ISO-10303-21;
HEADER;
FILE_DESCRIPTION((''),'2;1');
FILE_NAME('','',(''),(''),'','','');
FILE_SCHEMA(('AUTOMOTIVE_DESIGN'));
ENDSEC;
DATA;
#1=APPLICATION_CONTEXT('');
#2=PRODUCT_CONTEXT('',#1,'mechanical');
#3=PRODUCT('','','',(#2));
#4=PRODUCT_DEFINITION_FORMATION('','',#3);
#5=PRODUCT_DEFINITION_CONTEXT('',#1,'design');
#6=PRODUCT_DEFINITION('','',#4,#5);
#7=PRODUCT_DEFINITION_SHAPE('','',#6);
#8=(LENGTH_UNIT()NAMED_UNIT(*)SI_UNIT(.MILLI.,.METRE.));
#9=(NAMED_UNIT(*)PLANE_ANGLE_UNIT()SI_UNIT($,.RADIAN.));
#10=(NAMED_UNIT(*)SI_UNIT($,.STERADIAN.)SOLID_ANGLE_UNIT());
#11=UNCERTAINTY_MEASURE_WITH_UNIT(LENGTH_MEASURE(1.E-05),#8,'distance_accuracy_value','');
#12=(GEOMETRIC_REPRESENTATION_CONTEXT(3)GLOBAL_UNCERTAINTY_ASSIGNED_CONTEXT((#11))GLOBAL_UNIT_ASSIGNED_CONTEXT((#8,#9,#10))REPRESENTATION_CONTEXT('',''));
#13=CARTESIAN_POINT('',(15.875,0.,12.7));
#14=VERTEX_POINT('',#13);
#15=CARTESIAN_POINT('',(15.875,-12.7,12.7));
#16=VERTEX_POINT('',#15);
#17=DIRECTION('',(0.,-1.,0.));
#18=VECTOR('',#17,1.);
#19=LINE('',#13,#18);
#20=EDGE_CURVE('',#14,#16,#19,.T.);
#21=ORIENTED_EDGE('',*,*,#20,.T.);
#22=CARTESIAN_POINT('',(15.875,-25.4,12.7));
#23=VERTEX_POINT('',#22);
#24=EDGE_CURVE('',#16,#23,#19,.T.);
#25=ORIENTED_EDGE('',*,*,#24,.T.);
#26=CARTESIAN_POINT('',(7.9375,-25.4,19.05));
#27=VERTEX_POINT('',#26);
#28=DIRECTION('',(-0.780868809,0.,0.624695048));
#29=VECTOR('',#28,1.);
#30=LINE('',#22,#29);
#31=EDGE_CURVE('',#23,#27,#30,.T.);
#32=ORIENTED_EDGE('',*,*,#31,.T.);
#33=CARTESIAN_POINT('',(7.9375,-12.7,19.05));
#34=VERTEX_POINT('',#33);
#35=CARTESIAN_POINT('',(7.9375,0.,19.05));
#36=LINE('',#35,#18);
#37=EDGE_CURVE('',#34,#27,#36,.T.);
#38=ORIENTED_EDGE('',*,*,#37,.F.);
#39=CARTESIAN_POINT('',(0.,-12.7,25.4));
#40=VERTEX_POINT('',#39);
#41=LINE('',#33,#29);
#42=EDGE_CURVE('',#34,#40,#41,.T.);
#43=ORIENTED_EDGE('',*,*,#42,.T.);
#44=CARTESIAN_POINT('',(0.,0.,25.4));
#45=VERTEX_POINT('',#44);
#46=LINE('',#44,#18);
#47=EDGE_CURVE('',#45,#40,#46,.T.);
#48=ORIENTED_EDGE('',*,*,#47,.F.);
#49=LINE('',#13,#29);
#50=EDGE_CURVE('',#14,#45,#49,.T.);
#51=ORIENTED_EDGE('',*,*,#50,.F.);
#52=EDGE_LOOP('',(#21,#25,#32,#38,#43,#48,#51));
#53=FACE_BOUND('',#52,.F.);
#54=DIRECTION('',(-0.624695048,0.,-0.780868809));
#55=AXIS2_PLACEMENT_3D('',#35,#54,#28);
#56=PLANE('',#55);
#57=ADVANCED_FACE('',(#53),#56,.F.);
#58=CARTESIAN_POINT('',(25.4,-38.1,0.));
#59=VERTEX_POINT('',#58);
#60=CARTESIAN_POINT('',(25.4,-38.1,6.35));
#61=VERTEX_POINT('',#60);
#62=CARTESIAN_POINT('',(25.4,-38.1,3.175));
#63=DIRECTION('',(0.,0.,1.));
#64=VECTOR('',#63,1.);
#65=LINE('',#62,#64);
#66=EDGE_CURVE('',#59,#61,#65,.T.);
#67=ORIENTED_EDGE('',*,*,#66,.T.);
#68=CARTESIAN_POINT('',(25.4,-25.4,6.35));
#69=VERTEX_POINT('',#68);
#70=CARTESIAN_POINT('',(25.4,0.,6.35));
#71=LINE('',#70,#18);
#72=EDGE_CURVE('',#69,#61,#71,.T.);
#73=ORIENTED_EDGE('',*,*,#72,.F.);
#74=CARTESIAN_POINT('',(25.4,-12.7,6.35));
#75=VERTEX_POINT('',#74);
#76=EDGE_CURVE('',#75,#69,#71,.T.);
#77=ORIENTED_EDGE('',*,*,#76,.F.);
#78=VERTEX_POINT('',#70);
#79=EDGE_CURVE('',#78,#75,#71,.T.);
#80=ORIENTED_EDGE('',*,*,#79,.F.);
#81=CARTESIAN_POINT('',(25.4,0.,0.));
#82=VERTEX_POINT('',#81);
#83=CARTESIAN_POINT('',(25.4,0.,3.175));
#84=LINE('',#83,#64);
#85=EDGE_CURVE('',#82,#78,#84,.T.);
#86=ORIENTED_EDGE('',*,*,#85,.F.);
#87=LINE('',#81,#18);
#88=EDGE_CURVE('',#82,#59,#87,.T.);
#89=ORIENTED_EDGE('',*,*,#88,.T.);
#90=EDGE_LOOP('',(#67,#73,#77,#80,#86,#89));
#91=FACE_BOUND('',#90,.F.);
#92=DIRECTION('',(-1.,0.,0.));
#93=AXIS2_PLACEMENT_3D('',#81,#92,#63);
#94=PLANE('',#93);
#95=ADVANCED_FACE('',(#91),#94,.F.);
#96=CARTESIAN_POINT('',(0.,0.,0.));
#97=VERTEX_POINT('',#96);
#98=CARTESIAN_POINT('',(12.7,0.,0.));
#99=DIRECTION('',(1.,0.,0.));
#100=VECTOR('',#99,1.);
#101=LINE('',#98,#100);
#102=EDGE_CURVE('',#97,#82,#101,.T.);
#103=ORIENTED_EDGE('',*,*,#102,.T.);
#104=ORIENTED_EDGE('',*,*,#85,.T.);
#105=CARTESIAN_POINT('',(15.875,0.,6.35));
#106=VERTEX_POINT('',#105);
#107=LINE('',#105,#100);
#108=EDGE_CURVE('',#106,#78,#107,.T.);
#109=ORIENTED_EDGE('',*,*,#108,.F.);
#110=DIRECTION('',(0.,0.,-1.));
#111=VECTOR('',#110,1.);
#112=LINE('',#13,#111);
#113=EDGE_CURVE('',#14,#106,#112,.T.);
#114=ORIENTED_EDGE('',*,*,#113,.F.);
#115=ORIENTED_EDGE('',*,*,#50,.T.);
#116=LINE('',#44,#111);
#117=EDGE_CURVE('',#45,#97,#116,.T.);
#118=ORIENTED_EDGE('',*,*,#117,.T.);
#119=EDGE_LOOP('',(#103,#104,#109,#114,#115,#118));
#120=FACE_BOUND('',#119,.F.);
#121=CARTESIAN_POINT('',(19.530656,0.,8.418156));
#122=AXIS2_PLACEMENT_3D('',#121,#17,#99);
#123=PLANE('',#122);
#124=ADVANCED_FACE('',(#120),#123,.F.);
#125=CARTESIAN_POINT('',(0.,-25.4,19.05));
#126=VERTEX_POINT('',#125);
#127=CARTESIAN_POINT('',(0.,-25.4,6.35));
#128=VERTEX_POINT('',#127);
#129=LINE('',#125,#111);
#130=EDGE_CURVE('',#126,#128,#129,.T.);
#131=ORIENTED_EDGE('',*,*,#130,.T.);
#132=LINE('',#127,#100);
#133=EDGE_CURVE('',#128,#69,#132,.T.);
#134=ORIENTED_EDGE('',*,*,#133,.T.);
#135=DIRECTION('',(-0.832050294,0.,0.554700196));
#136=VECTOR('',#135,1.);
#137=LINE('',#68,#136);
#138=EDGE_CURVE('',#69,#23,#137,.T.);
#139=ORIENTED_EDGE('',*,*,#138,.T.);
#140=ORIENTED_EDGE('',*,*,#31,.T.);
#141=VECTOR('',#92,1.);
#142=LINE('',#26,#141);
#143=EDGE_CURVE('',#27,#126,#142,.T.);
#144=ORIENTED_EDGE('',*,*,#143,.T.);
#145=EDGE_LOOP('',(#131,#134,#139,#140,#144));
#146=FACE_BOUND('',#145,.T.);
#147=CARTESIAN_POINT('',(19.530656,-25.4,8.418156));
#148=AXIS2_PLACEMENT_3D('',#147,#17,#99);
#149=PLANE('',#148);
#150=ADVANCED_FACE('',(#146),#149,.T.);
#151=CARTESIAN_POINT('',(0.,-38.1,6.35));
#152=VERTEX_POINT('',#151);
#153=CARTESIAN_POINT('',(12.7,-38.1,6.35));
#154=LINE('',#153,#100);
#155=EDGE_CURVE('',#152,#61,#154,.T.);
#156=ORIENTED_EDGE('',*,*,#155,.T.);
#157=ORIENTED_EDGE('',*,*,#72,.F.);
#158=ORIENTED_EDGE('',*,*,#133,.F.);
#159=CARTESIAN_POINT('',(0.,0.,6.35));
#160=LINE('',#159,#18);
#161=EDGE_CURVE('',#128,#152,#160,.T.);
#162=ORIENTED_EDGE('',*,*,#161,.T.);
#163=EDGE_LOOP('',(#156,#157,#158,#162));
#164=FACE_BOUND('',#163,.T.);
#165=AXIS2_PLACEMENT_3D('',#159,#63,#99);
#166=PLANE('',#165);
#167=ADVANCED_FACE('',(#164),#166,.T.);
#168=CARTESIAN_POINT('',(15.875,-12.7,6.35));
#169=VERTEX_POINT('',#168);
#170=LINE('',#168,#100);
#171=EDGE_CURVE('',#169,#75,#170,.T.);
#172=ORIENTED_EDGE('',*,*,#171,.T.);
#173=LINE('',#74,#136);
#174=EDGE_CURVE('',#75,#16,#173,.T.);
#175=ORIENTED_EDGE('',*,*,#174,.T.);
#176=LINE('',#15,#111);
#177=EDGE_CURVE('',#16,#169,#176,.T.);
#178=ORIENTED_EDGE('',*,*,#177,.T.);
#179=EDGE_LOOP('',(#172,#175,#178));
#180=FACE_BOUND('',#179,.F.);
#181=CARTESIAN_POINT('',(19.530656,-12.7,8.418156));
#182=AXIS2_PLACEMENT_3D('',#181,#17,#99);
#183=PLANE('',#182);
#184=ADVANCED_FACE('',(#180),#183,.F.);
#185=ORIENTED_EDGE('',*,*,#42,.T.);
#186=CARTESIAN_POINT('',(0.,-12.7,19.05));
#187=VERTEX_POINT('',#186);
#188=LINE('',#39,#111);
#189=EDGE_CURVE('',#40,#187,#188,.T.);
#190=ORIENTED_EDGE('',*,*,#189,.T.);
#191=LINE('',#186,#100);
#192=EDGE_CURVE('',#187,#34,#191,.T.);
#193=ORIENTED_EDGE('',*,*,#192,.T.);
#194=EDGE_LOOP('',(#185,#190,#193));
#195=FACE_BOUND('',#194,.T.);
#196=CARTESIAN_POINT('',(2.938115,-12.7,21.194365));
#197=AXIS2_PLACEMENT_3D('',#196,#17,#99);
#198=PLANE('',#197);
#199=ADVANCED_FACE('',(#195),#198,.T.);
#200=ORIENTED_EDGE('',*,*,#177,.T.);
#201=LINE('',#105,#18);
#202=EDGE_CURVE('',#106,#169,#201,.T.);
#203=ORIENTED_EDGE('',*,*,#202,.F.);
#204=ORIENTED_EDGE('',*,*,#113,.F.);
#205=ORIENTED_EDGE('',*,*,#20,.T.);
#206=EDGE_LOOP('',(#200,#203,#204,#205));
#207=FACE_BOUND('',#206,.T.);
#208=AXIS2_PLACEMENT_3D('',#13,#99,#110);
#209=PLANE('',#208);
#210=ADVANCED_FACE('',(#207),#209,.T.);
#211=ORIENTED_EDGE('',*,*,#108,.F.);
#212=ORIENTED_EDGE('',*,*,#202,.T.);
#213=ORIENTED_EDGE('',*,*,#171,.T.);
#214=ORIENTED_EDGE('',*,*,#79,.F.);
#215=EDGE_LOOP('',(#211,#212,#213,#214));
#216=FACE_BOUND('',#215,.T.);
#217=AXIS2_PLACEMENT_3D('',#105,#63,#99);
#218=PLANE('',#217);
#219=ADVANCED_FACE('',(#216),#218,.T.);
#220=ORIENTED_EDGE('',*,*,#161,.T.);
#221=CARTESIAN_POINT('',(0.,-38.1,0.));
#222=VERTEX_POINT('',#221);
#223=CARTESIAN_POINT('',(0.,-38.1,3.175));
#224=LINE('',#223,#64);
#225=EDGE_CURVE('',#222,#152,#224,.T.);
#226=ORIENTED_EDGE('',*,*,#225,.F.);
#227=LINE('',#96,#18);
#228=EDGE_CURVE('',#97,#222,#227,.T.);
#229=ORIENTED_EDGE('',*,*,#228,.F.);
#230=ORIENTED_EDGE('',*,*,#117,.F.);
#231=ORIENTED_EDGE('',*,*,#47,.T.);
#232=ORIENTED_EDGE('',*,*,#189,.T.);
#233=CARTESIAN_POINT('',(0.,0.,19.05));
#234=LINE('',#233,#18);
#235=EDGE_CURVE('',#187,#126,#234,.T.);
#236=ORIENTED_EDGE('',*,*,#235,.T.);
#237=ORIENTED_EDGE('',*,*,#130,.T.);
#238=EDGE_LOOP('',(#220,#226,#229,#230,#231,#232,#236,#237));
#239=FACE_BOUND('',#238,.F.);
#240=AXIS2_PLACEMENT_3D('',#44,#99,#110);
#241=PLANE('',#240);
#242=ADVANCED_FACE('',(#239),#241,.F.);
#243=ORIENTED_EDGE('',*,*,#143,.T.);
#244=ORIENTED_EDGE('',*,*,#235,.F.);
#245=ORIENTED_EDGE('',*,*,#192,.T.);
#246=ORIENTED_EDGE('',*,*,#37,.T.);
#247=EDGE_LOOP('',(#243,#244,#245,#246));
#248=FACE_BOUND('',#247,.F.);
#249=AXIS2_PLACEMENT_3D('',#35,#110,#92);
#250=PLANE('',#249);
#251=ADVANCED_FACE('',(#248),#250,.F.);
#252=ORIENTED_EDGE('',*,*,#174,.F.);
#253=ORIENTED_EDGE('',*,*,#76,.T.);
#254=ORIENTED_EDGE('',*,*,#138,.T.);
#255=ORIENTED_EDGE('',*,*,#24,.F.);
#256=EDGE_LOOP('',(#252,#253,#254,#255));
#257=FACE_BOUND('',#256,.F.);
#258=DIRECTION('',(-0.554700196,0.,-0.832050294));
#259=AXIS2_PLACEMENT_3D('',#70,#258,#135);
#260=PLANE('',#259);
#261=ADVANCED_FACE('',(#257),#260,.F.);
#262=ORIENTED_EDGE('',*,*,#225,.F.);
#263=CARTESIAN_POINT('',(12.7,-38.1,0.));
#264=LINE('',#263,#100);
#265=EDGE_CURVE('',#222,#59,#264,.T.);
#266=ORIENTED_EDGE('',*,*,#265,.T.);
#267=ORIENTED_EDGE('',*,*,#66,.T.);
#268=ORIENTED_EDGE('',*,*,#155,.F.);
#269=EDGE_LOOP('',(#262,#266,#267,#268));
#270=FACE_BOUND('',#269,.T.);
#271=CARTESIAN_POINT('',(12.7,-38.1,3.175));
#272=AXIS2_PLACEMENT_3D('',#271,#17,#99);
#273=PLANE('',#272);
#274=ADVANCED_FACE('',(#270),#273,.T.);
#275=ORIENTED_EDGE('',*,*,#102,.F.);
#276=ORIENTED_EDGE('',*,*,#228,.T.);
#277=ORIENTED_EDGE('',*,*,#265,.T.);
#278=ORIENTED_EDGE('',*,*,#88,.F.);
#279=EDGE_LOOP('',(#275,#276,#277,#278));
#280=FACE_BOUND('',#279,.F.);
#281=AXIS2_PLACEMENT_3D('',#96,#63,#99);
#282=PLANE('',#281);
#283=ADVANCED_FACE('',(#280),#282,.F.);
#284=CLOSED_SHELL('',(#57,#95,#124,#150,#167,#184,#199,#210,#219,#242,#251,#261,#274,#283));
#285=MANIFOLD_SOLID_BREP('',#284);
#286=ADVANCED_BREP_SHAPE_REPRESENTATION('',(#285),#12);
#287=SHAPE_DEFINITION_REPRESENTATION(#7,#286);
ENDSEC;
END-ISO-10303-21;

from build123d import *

# Parameters (mm, degrees)
F0_W     = 25.4
F0_H     = 6.35
F1_DEPTH = 38.1
F3_DEPTH = 25.4
F4_DEPTH = 12.7
F6_DEPTH = 25.4
F7_DEPTH = 12.7


with BuildPart() as f1:
    # F0 (on Front) → F1 (new body)
    with BuildSketch(Plane.XZ):
        with Locations((12.7, 3.175)):
            Rectangle(F0_W, F0_H)
    extrude(amount=F1_DEPTH)

    # F2 (on Front) → F3 (join)
    with BuildSketch(Plane.XZ):
        Polygon((0, 19.05), (0, 6.35), (15.875, 6.35), (15.875, 12.7), (7.9375, 19.05), align=None)
    extrude(amount=F3_DEPTH)

    # F2 (on Front) → F4 (join)
    with BuildSketch(Plane.XZ):
        Polygon((0, 25.4), (0, 19.05), (7.9375, 19.05), align=None)
    extrude(amount=F4_DEPTH)

    # F5 (on Front) → F6 (join)
    with BuildSketch(Plane.XZ):
        Polygon((25.4, 6.35), (15.875, 12.7), (15.875, 6.35), align=None)
    extrude(amount=F6_DEPTH)

    # F5 (on Front) → F7 (cut)
    with BuildSketch(Plane.XZ):
        Polygon((25.4, 6.35), (15.875, 12.7), (15.875, 6.35), align=None)
    extrude(amount=F7_DEPTH, mode=Mode.SUBTRACT)


solid = f1.part
